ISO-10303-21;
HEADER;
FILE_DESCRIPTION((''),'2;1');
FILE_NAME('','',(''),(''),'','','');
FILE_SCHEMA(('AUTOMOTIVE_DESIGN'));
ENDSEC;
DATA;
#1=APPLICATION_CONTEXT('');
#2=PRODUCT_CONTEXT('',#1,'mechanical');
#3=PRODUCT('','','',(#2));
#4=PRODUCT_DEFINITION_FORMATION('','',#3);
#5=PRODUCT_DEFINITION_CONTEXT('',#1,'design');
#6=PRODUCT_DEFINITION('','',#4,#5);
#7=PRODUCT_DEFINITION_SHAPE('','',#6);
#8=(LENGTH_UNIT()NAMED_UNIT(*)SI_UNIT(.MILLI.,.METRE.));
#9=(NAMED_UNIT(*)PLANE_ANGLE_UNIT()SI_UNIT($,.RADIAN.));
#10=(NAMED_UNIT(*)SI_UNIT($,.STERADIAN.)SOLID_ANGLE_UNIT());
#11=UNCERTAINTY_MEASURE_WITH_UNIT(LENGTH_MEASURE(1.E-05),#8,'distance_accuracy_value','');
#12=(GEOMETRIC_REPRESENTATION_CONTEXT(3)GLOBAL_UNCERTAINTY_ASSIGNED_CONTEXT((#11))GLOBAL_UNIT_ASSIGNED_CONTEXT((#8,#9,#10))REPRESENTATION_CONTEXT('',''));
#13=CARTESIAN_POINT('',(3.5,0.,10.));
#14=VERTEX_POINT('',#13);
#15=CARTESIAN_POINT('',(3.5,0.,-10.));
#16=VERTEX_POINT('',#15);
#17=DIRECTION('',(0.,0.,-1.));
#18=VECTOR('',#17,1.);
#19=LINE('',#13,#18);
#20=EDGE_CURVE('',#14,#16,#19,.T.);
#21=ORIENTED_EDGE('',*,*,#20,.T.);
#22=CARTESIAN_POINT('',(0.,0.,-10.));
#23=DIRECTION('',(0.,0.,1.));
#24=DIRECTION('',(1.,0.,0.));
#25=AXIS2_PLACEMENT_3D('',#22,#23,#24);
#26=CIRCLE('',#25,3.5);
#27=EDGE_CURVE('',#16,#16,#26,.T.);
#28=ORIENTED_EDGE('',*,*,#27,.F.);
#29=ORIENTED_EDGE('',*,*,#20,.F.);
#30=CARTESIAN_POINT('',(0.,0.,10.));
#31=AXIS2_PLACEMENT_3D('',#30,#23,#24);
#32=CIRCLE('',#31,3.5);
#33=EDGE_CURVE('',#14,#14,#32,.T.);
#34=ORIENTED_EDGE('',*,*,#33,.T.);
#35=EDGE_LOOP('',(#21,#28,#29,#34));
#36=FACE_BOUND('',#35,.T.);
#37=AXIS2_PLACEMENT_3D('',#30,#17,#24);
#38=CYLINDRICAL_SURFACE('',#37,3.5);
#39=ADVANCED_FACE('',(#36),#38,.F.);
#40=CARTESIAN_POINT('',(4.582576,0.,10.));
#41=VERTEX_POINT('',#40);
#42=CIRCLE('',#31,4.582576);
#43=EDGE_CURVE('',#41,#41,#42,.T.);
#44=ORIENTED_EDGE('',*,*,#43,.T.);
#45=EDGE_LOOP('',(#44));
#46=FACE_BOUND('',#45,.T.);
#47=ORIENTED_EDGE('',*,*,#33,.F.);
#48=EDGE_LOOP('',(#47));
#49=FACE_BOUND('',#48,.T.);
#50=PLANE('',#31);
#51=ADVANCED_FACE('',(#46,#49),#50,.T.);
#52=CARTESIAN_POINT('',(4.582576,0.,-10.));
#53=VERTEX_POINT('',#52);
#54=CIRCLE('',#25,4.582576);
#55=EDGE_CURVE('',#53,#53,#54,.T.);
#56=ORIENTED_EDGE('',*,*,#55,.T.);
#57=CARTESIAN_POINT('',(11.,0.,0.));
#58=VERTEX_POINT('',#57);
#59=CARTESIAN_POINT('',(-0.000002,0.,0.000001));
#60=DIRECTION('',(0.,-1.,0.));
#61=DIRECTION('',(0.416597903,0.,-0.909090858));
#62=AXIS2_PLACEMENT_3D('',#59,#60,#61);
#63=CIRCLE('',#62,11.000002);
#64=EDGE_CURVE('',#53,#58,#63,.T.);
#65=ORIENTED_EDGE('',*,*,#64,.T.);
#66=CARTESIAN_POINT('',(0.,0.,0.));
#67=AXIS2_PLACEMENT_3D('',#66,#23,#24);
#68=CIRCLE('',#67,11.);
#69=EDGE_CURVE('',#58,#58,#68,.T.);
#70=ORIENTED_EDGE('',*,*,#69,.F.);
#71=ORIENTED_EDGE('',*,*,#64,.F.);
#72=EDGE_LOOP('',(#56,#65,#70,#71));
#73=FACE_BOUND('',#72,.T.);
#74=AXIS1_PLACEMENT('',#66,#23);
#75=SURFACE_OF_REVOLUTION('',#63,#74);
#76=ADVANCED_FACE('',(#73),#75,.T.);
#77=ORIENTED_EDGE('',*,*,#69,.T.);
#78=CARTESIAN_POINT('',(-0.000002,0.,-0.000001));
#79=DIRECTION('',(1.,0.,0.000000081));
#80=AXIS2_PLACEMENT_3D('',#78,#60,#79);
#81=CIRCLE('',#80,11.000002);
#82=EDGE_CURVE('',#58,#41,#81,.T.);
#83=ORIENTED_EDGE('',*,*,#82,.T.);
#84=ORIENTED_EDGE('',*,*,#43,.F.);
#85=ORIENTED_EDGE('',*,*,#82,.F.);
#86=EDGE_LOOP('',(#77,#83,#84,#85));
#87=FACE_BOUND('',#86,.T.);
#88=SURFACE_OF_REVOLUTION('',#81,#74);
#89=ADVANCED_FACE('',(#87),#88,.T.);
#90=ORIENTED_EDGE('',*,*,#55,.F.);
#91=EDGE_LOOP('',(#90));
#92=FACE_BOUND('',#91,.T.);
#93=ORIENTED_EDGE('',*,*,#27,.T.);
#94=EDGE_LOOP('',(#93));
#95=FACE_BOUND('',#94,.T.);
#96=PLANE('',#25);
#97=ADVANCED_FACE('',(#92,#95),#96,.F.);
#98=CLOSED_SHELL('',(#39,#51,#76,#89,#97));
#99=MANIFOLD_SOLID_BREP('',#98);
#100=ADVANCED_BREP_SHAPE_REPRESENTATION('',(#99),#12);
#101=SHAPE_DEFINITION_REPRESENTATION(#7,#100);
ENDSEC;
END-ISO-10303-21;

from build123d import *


with BuildPart() as f1:
    # F0 (on Front) → F1 (revolve)
    with BuildSketch(Plane.XZ):
        with BuildLine():
            ThreePointArc((4.582576, -10), (9.257654, -5.94103), (11, 0))
            ThreePointArc((11, 0), (9.257654, 5.94103), (4.582576, 10))
            Line((4.582576, 10), (3.5, 10))
            Line((3.5, 10), (3.5, -10))
            Line((3.5, -10), (4.582576, -10))
        make_face()
    revolve(axis=Axis((0, 0, 0), (0, 0, 1)))


solid = f1.part
